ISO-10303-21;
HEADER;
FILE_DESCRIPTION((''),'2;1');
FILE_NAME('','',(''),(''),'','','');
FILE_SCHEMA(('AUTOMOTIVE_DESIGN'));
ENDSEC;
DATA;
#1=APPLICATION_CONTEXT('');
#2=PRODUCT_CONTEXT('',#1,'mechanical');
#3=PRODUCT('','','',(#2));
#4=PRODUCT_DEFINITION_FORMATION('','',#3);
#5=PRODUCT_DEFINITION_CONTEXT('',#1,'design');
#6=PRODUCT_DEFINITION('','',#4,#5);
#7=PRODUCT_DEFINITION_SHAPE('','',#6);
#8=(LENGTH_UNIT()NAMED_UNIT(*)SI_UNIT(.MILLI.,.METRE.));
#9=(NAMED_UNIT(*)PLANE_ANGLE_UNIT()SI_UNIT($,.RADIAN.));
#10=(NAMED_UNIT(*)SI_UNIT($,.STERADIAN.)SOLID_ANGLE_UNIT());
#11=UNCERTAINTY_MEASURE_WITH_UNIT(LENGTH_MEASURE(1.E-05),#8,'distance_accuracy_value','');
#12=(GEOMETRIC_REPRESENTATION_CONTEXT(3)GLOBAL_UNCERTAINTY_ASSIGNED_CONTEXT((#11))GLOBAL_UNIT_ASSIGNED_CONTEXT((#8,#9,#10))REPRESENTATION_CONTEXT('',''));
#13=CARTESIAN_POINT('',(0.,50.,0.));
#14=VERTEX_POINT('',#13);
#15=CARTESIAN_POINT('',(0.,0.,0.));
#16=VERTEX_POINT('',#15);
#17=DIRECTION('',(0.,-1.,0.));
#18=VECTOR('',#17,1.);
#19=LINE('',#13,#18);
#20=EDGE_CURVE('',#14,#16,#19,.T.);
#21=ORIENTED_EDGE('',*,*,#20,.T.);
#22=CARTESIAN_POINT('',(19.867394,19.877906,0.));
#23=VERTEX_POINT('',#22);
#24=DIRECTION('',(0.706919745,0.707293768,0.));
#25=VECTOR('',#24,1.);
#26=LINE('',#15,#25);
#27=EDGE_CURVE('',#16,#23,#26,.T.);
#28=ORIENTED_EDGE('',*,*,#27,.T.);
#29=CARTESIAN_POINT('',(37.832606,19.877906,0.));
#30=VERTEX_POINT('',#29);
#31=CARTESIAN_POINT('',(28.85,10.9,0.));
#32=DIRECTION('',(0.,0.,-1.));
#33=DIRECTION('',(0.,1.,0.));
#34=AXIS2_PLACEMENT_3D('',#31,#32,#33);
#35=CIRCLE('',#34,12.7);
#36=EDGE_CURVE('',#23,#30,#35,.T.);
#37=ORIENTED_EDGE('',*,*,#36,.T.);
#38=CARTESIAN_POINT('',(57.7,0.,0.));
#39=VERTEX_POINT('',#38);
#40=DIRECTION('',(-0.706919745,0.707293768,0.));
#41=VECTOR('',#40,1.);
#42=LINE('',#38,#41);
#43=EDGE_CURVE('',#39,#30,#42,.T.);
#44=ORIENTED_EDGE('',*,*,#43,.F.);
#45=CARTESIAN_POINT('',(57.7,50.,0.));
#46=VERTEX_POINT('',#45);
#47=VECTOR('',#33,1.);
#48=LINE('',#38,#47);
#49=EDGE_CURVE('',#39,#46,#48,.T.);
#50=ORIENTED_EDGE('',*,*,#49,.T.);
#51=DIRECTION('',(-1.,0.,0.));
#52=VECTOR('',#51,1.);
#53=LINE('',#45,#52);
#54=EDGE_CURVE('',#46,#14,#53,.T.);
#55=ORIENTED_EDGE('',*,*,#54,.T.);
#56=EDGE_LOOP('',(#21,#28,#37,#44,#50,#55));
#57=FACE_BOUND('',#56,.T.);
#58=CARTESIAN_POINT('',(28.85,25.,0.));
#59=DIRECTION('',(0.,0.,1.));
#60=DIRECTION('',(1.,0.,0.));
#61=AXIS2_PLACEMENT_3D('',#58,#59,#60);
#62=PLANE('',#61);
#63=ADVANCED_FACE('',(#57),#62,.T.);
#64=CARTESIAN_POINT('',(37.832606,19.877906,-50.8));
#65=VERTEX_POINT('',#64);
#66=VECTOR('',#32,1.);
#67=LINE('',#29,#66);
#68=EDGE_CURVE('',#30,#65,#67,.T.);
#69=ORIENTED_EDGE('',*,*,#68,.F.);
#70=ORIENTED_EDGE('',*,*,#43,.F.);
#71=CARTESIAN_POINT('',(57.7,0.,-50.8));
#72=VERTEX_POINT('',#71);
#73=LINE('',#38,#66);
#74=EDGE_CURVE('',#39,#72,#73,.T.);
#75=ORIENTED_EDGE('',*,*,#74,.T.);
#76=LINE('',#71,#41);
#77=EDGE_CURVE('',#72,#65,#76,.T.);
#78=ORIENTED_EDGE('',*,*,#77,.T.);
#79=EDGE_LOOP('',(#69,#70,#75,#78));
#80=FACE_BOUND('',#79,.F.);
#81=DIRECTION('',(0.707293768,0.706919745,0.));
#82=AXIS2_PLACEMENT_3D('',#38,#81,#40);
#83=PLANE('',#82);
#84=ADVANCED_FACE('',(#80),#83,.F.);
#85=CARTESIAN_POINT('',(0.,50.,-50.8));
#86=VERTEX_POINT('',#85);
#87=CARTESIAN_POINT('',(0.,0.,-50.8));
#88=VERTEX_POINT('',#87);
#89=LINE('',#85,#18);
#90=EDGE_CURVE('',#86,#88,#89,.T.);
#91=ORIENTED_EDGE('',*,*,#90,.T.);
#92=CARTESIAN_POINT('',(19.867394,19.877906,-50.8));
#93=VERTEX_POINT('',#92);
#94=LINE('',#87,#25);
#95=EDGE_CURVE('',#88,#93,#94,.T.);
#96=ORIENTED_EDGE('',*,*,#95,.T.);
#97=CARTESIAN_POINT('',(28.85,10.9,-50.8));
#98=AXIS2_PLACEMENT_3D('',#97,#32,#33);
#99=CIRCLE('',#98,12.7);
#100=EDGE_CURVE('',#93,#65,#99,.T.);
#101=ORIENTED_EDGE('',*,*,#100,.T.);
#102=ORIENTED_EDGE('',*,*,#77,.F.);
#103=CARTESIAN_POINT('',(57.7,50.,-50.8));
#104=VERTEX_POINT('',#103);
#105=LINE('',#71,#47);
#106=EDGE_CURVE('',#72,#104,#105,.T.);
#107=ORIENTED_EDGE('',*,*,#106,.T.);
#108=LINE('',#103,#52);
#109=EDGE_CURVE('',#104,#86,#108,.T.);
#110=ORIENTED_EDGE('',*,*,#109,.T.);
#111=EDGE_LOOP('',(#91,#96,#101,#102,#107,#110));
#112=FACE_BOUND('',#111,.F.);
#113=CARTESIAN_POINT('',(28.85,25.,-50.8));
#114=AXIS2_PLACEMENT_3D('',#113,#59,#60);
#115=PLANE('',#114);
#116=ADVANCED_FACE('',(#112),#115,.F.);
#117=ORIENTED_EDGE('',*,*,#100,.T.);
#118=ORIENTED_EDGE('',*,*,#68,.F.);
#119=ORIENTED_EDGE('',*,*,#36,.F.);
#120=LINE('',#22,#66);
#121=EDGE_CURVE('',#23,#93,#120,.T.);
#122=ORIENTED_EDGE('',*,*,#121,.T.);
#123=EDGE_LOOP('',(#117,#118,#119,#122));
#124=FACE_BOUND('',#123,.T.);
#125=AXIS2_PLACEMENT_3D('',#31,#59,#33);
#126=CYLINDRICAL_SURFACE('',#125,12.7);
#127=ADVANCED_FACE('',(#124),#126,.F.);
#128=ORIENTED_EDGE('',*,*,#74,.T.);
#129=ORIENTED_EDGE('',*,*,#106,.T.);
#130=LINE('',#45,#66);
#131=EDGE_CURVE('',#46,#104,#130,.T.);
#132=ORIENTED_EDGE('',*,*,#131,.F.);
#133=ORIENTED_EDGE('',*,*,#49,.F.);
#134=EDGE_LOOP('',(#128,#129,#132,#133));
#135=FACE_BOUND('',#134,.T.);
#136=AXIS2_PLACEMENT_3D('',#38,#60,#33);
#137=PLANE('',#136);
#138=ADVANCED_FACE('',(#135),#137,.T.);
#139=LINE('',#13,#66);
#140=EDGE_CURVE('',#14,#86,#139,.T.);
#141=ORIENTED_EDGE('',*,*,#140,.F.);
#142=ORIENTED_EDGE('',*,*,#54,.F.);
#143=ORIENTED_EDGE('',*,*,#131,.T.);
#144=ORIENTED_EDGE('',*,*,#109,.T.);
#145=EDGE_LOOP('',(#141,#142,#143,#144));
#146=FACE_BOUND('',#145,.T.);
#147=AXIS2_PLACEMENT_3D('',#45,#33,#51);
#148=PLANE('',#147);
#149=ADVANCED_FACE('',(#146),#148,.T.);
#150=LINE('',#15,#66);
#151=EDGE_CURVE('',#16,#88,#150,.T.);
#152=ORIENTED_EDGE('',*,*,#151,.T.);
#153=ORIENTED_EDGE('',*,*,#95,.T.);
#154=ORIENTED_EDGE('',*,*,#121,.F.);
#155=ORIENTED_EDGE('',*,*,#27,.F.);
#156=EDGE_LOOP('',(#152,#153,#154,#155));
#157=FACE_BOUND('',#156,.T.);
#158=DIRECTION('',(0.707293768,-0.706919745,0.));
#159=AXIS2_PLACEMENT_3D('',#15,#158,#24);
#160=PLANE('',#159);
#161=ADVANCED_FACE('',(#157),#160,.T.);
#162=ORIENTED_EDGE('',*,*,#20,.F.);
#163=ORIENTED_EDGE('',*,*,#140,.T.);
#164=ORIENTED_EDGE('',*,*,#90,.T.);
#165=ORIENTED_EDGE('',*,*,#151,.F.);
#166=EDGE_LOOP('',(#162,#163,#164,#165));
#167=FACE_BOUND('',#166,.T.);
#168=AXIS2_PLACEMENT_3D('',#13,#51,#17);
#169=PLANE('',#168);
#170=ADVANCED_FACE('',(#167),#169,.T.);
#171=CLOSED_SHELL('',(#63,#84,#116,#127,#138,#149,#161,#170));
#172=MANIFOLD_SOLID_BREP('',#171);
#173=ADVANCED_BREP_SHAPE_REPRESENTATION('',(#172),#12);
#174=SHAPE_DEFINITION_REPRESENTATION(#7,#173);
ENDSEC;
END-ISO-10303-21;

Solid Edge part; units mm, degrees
sketch "Sketch1" plane through (0, 0, 0) normal (0, 0, 1) x (1, 0, 0)
  line L0 (0, 0) -> (57.7, 0)
  line L1 (57.7, 0) -> (57.7, 50)
  line L2 (57.7, 50) -> (0, 50)
  line L3 (0, 50) -> (0, 0)
extrude "Protrusion1" add sketch "Sketch1" against normal blind 50.8
sketch "Sketch2" plane through (28.85, 25, 0) normal (0, 0, 1) x (0, 1, 0)
  line L0 (-25, 28.85) -> (-5.1221, 8.9826)
  arc A0 (-5.1221, 8.9826) -> (-5.1221, -8.9826) centre (-14.1, 0) cw
  line L1 (-25, -28.85) -> (-5.1221, -8.9826)
  line L2 (-25, 28.85) -> (-25, -28.85)
extrude "Recorte_Extrudado_1" cut sketch "Sketch2" against normal blind 50.8
